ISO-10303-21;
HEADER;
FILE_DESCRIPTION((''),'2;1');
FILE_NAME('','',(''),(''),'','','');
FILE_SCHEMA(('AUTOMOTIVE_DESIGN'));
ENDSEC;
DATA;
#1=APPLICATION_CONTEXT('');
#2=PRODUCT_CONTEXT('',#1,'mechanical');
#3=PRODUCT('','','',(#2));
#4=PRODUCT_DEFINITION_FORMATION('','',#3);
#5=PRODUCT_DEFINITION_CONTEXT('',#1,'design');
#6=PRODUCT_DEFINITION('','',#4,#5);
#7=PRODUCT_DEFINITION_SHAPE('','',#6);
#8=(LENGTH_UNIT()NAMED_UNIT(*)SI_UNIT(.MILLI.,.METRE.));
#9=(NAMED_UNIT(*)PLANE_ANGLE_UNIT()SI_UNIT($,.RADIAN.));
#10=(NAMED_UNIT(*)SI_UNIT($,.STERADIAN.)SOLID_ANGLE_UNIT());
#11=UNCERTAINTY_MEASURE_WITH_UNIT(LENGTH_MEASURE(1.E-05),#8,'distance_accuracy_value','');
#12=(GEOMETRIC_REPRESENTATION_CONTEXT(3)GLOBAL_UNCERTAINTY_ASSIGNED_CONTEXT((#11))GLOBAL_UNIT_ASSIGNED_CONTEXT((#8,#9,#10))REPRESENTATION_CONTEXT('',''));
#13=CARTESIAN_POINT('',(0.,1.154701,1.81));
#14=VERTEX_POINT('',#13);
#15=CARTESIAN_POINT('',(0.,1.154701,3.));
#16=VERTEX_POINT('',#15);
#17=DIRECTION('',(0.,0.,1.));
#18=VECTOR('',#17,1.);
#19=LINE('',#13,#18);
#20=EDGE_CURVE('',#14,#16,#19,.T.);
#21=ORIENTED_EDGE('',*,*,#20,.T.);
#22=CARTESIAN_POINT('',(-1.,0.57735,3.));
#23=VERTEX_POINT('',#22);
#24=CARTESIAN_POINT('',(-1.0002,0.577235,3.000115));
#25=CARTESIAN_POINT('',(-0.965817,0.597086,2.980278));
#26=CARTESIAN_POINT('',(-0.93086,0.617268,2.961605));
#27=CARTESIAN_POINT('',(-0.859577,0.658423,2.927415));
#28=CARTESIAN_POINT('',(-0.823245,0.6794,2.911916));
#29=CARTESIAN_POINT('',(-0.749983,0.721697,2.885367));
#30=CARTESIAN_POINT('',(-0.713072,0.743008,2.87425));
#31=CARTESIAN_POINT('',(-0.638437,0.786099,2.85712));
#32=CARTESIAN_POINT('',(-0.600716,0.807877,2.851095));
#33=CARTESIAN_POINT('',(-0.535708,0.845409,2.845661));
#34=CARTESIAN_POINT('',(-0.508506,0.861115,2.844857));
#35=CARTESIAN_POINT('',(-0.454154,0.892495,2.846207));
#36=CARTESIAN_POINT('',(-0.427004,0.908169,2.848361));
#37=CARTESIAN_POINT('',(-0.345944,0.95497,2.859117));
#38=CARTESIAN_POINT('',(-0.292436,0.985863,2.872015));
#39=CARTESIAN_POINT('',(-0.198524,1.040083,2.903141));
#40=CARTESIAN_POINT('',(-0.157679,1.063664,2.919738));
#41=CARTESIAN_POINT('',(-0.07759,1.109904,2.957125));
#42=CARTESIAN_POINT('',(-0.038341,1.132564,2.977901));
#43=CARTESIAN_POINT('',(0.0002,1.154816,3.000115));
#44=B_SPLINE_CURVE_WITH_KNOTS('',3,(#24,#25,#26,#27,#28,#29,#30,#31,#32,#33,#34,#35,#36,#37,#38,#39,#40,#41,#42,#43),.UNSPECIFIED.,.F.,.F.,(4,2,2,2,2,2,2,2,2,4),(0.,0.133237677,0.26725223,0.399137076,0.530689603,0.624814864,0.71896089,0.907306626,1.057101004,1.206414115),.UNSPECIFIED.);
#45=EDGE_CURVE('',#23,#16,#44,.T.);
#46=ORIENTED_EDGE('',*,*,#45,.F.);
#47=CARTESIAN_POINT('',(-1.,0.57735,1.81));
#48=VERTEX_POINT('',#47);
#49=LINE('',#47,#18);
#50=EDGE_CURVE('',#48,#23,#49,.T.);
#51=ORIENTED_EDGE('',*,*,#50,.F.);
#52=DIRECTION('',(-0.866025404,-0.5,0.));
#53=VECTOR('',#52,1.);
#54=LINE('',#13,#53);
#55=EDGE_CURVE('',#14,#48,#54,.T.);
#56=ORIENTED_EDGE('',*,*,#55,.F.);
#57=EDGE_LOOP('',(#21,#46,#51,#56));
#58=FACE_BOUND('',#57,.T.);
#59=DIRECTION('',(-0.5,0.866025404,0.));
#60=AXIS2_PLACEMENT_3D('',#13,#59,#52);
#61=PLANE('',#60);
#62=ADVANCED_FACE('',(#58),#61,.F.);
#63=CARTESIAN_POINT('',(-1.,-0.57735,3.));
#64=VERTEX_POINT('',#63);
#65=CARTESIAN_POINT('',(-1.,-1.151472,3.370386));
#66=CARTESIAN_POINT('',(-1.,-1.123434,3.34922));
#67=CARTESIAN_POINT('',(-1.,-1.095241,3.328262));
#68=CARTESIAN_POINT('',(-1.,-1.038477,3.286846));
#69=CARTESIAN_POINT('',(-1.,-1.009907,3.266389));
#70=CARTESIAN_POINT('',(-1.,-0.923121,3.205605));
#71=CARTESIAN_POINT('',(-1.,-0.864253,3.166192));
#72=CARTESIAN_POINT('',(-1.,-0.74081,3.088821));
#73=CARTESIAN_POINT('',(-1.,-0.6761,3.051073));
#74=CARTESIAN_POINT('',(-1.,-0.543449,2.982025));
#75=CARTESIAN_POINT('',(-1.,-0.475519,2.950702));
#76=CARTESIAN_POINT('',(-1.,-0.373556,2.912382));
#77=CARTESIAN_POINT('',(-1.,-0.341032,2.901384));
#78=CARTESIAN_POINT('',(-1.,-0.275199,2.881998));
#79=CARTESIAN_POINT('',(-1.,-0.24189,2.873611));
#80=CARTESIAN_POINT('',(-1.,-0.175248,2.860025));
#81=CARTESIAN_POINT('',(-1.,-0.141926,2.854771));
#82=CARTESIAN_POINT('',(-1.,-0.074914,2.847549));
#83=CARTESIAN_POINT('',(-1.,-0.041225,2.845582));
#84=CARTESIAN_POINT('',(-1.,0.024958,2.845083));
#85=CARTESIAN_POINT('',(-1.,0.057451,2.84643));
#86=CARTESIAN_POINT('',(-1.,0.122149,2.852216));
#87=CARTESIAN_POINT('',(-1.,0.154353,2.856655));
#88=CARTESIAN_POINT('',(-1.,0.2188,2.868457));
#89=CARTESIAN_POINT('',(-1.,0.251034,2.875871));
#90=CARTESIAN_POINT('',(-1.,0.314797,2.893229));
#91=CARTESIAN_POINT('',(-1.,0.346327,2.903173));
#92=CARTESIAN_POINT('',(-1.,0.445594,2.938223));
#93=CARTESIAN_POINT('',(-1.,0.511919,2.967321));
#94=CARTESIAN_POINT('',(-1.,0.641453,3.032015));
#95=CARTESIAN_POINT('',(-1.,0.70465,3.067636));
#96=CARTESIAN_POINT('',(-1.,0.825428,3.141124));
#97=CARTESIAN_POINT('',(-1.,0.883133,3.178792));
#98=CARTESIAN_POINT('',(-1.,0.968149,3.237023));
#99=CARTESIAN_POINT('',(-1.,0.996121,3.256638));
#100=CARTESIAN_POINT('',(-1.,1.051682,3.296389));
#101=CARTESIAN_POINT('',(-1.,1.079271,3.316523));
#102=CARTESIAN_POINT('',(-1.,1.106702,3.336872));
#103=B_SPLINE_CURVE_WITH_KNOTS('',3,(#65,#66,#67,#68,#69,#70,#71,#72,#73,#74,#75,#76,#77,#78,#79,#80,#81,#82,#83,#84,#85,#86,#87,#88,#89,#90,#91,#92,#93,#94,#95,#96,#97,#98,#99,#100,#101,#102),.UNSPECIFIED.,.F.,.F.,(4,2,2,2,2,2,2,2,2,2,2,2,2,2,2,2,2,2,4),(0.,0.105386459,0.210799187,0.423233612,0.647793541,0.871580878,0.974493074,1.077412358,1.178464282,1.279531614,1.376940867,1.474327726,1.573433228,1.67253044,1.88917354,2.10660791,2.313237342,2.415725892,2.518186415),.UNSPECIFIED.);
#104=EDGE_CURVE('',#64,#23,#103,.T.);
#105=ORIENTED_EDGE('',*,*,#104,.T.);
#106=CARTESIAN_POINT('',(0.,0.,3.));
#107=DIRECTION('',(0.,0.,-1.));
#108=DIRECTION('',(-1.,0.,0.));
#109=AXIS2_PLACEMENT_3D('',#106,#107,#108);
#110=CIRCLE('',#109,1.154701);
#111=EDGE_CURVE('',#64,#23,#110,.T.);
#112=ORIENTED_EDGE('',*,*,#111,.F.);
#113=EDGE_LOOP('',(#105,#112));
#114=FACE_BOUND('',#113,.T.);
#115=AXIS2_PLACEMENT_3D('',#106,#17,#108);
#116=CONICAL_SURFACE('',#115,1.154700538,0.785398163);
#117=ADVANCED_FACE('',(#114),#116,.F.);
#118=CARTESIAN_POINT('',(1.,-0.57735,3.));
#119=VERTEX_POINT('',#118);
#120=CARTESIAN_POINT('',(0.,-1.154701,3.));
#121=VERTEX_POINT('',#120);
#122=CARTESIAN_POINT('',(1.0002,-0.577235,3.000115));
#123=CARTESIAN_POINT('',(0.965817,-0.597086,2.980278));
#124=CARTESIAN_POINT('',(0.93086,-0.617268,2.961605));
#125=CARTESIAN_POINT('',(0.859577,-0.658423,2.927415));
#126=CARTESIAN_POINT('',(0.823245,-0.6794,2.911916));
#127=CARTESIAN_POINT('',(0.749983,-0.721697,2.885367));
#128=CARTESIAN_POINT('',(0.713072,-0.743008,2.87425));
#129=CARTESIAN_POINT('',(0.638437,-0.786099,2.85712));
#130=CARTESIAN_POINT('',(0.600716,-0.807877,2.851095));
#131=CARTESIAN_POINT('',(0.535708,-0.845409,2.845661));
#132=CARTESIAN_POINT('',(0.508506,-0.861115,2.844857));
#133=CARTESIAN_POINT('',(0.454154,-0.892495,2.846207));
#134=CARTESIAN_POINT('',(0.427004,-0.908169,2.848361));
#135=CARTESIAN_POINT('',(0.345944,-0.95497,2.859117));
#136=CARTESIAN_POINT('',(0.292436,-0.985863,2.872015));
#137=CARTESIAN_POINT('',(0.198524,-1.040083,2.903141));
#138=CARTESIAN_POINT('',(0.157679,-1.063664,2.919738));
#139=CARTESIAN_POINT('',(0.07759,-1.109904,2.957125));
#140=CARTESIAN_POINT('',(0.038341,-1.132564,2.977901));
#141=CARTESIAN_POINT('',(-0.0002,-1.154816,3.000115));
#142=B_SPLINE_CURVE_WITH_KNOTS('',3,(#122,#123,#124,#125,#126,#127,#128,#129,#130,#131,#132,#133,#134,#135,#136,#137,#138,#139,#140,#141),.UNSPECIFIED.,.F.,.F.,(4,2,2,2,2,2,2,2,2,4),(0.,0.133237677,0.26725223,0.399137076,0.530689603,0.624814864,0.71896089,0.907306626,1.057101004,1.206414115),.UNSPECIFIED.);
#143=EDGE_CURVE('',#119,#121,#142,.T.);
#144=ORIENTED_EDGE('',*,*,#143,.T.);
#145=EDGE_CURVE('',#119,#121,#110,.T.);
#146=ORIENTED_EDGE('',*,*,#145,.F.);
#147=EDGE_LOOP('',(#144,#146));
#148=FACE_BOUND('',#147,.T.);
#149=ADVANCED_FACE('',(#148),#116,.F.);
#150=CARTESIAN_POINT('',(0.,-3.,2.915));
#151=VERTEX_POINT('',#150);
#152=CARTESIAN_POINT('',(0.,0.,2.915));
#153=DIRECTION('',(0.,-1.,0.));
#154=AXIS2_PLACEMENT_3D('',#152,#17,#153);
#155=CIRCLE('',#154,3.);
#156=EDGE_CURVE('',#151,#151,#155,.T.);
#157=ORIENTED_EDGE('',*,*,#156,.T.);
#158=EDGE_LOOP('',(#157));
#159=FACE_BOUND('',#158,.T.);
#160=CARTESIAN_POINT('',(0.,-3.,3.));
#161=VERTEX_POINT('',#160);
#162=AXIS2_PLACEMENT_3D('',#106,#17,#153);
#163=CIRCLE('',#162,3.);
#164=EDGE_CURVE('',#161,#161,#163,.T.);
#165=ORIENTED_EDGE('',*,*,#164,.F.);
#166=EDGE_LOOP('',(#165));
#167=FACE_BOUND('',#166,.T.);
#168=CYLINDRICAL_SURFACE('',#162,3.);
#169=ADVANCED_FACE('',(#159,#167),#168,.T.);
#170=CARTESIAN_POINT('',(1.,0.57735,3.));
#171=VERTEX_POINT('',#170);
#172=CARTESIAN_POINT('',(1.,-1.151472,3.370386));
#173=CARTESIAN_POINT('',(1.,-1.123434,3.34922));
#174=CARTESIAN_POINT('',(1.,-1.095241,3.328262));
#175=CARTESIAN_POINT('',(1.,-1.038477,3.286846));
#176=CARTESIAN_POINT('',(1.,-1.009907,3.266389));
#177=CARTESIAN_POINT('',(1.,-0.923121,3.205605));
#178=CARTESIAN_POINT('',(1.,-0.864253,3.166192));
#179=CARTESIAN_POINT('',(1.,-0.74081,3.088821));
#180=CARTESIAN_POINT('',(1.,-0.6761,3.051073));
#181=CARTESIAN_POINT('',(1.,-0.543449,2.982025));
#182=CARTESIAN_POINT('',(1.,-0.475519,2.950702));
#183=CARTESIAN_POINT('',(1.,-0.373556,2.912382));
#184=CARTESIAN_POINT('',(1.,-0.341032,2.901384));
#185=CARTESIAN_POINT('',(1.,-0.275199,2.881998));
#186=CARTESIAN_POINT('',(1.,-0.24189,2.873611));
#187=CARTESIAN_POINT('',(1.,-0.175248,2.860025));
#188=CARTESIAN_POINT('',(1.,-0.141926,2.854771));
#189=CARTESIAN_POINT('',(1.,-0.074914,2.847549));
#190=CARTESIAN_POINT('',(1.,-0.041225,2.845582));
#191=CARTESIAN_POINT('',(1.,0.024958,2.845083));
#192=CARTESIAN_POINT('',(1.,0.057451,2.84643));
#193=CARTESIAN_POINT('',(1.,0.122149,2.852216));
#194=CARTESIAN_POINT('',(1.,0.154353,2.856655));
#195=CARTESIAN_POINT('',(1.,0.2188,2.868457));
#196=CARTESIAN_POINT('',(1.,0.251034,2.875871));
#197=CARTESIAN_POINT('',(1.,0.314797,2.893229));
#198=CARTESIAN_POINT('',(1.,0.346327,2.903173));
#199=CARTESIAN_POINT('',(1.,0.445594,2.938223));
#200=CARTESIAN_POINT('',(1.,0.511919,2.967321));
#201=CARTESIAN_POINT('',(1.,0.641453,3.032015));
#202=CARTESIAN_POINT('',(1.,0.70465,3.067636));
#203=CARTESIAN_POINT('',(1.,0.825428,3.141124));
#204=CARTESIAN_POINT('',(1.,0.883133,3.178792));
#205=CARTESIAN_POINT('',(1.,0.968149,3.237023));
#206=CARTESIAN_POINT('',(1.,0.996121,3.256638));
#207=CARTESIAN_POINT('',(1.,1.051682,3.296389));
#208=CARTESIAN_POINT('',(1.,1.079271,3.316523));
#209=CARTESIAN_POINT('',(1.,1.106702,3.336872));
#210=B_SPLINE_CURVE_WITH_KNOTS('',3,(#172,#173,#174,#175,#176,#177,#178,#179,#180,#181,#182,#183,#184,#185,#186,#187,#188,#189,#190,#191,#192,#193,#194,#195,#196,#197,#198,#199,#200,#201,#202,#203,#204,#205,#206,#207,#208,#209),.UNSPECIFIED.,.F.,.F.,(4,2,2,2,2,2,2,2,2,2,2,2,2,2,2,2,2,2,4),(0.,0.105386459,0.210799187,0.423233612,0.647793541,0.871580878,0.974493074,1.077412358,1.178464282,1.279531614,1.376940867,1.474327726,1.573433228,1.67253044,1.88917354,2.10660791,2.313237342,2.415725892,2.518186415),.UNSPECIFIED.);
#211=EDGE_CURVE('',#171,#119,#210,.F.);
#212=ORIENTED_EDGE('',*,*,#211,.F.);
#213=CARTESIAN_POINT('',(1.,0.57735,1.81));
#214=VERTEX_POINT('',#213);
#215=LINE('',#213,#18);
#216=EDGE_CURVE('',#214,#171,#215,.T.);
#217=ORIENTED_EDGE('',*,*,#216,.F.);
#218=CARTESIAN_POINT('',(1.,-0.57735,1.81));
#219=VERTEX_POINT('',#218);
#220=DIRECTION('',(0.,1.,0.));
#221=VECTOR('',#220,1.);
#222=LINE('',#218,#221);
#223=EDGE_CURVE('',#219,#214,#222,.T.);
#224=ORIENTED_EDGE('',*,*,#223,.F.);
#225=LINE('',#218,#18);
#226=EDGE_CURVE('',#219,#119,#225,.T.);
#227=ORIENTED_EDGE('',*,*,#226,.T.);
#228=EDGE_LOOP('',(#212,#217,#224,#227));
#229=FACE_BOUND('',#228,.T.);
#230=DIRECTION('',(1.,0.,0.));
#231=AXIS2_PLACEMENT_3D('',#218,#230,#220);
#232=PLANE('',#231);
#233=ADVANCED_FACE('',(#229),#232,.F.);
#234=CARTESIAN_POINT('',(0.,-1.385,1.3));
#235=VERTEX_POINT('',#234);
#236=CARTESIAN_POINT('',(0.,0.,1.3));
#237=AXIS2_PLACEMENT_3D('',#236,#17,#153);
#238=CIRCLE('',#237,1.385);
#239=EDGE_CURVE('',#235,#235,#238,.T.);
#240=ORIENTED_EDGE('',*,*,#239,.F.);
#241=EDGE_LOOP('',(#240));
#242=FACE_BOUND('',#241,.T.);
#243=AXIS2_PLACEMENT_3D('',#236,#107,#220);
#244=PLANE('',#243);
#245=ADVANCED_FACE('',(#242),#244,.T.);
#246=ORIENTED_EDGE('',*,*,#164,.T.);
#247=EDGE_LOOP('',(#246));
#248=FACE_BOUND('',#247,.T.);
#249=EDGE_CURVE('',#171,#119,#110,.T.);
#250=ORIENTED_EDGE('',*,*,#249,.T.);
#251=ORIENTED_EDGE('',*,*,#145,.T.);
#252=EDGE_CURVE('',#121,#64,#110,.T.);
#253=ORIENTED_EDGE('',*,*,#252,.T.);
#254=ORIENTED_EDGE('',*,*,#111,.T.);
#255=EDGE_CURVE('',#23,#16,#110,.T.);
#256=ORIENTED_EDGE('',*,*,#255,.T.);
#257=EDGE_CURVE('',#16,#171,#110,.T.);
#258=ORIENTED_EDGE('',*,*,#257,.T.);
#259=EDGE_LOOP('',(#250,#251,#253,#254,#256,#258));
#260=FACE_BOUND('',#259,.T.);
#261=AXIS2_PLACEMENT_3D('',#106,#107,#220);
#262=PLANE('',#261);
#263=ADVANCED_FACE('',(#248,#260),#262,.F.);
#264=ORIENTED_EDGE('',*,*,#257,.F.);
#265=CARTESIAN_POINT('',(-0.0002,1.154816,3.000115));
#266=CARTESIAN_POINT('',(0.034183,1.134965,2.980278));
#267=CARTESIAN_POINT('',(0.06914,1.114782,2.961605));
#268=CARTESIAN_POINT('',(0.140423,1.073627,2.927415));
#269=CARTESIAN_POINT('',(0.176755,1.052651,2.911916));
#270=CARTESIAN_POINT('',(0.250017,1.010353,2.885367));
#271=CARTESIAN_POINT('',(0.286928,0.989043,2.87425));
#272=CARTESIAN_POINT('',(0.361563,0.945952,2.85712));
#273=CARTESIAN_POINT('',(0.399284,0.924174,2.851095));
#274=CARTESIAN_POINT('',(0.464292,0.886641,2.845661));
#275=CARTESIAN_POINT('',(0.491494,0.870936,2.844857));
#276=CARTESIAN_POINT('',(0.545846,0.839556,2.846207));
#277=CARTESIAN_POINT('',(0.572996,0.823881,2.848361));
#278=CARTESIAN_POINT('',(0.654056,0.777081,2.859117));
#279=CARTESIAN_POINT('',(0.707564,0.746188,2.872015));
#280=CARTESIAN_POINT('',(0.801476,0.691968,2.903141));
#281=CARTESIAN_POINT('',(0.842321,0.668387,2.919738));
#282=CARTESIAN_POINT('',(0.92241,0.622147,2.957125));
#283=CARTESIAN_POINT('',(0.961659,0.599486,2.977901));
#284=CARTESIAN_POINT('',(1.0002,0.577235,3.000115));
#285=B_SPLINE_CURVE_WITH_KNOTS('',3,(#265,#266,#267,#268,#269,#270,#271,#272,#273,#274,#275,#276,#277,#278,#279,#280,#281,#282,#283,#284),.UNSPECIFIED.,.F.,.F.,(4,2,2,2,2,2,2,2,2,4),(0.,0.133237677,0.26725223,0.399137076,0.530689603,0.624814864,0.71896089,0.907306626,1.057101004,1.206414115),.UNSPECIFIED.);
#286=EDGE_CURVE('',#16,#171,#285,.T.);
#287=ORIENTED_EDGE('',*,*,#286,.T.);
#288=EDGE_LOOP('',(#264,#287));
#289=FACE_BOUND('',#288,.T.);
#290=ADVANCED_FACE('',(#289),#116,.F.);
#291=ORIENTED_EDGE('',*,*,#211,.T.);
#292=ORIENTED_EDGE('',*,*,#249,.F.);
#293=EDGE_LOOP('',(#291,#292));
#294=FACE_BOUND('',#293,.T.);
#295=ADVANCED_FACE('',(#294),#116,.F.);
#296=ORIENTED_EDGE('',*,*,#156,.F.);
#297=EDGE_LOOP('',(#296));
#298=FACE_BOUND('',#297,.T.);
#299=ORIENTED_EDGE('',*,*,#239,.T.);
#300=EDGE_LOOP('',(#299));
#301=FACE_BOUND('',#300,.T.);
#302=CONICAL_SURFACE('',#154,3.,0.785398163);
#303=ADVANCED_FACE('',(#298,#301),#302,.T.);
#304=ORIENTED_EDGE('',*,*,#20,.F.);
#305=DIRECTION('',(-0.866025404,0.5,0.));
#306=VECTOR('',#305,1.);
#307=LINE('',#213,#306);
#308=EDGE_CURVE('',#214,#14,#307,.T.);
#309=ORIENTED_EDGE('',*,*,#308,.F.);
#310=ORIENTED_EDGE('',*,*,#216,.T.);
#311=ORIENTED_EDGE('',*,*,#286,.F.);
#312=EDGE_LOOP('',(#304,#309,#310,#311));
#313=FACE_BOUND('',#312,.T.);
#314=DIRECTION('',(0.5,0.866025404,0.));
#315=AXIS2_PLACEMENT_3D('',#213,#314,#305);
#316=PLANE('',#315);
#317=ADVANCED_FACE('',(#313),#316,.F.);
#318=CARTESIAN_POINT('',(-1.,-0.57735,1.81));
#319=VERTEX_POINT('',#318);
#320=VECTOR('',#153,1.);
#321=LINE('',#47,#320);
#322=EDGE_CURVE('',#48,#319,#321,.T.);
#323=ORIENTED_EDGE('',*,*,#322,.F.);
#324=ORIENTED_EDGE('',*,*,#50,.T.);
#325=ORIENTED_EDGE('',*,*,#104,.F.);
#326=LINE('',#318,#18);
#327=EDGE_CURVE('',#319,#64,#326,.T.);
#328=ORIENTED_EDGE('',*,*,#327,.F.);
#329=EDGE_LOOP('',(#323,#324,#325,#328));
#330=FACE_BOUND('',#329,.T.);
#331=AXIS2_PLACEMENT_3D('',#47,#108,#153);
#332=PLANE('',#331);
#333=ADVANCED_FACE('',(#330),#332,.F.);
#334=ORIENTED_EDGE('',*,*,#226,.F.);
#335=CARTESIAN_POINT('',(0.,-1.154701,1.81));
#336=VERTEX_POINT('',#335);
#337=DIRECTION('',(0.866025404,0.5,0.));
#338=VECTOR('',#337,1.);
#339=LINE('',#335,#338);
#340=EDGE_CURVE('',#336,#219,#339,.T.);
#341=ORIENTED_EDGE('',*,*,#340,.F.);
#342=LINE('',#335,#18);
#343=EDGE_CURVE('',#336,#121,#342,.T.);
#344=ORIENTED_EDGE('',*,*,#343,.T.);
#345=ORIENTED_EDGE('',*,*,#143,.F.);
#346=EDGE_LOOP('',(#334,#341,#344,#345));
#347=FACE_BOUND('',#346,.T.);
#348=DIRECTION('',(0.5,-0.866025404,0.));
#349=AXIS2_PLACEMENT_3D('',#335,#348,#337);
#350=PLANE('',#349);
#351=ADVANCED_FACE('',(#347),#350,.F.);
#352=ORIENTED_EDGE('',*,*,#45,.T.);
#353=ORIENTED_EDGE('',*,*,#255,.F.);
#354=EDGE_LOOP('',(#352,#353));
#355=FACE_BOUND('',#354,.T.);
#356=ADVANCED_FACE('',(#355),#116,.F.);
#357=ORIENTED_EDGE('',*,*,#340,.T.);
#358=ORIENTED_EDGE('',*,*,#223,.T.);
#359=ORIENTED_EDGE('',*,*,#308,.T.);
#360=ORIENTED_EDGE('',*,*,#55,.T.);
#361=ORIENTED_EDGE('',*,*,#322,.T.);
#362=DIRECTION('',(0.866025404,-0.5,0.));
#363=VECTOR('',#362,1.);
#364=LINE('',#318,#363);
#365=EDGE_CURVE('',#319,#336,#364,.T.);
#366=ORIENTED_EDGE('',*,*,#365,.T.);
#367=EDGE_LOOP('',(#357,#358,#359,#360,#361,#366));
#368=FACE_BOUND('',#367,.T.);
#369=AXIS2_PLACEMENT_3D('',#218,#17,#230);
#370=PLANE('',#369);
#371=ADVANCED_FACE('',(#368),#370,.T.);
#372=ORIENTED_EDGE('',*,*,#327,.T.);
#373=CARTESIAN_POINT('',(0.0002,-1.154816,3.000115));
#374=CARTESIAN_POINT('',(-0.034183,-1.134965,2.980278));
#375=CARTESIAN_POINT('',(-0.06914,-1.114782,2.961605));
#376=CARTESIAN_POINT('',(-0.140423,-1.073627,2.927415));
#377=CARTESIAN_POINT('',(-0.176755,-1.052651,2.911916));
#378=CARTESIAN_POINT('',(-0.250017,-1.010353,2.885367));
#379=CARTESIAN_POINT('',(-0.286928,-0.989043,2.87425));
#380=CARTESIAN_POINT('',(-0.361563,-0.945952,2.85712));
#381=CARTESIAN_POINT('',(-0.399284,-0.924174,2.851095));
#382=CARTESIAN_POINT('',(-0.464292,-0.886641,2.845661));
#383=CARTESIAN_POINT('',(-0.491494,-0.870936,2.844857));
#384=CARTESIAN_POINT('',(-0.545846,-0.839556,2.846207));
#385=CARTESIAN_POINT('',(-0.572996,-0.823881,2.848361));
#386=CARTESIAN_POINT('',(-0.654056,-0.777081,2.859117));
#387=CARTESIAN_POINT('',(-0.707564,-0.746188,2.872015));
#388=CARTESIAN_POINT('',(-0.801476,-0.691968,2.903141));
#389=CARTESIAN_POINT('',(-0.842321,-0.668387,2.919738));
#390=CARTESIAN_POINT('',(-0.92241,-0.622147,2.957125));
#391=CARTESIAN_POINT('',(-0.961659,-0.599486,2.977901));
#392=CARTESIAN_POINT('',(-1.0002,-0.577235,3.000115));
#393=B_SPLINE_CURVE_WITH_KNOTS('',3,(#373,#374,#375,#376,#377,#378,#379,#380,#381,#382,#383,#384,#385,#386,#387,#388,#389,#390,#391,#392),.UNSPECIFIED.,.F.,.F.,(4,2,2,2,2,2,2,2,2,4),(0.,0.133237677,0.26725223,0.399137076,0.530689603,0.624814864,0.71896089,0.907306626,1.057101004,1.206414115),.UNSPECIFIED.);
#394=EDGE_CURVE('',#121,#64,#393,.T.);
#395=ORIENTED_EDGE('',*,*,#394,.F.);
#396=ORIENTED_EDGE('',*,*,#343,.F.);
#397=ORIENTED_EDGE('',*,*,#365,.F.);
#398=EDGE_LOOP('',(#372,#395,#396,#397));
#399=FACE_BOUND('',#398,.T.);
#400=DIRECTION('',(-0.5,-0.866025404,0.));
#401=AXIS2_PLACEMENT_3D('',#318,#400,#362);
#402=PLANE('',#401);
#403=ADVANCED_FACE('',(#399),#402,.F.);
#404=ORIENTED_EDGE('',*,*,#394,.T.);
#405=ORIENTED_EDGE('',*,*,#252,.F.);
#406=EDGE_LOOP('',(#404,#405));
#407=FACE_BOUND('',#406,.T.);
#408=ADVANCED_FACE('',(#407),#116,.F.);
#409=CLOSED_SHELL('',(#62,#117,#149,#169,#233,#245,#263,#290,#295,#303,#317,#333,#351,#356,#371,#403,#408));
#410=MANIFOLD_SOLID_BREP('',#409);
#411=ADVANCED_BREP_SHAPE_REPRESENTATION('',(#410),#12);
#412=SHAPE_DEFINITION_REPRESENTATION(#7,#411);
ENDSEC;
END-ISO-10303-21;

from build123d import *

# Parameters (mm, degrees)
CUT_EXTRUDE2_DEPTH = 1.19


with BuildPart() as part:
    # Sketch7 → Revolve2 (revolve)
    with BuildSketch(Plane(origin=(0, 0, 0), x_dir=(0, 0, -1), z_dir=(1, 0, 0)), mode=Mode.PRIVATE) as revolve2_sk:
        Polygon((-3, 3), (-2.915, 3), (-1.3, 1.385), (-1.3, 0), (-3, 0), align=None)
    revolve(revolve2_sk.sketch.rotate(Axis((0, 0, 3), (0, 0, -1)), 180), axis=Axis((0, 0, 3), (0, 0, -1)))

    # Sketch5 → Cut-Extrude2 (cut)
    with BuildSketch(Plane.XY.offset(3)):
        Polygon((1, -0.577350269), (1, 0.577350269), (0, 1.154700538), (-1, 0.577350269), (-1, -0.577350269), (0, -1.154700538), align=None)
    extrude(amount=-CUT_EXTRUDE2_DEPTH, mode=Mode.SUBTRACT)

    # Cut-Extrude3 cone 1 section (through the dimple's axis) → Cut-Extrude3 (revolve, cut)
    with BuildSketch(Plane(origin=(0, 0, 3), x_dir=(0, -1, 0), z_dir=(1, 0, 0))):
        Polygon((0, 0), (1.154700538, 0), (0, 1.154700538), align=None)
    revolve(axis=Axis((0, 0, 3), (0, 0, -1)), mode=Mode.SUBTRACT)


solid = part.part
